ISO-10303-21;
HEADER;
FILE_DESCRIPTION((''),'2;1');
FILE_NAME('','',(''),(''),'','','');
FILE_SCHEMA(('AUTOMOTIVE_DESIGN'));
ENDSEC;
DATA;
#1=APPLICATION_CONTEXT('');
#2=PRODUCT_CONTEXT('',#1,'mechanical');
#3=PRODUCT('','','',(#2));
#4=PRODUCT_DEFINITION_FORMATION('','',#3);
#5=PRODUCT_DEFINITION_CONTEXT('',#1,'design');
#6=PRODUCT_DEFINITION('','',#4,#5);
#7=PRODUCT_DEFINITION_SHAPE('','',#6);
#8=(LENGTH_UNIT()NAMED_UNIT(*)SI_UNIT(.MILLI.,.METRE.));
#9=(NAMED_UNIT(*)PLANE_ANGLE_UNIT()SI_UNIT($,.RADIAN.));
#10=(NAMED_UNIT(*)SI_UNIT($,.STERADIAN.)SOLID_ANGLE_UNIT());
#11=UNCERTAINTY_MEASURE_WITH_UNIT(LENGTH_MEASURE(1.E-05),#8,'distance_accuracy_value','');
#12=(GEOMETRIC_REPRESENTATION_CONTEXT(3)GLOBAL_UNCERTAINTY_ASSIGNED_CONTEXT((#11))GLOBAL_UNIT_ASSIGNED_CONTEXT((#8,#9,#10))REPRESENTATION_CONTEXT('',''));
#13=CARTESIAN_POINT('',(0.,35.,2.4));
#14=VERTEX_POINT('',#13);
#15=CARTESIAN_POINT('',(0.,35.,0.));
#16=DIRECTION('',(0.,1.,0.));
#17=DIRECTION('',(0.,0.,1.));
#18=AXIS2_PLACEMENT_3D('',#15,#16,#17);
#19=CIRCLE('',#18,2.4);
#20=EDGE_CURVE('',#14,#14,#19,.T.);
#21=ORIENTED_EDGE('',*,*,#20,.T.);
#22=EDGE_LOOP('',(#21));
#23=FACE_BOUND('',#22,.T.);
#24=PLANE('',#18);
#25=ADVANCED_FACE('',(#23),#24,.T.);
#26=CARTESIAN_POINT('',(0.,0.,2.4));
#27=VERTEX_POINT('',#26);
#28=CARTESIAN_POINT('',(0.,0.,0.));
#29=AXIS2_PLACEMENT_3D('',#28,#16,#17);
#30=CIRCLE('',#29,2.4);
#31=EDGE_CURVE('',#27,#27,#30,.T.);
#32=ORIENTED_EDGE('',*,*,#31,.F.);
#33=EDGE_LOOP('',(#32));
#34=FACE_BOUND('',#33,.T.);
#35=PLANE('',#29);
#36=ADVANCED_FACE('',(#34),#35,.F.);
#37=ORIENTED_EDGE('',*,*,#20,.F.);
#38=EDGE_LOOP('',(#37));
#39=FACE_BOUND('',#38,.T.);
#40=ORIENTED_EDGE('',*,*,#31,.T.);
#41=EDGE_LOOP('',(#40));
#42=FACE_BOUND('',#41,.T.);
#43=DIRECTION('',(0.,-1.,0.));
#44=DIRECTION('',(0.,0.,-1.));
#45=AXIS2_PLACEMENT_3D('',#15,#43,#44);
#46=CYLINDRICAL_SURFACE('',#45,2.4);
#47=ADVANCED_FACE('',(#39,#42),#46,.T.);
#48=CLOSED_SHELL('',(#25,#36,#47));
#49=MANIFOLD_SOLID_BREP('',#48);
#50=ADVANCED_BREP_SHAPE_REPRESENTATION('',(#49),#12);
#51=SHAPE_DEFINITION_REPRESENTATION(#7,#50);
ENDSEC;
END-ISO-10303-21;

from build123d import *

# Parameters (mm, degrees)
SKIZZE1_R                       = 2.4
AUFSATZ_LINEAR_AUSTRAGEN1_DEPTH = 35


with BuildPart() as part:
    # Skizze1 → Aufsatz-Linear austragen1 (new body)
    with BuildSketch(Plane(origin=(0, 0, 0), x_dir=(1, 0, 0), z_dir=(0, 1, 0))):
        Circle(SKIZZE1_R)
    extrude(amount=AUFSATZ_LINEAR_AUSTRAGEN1_DEPTH)


solid = part.part
